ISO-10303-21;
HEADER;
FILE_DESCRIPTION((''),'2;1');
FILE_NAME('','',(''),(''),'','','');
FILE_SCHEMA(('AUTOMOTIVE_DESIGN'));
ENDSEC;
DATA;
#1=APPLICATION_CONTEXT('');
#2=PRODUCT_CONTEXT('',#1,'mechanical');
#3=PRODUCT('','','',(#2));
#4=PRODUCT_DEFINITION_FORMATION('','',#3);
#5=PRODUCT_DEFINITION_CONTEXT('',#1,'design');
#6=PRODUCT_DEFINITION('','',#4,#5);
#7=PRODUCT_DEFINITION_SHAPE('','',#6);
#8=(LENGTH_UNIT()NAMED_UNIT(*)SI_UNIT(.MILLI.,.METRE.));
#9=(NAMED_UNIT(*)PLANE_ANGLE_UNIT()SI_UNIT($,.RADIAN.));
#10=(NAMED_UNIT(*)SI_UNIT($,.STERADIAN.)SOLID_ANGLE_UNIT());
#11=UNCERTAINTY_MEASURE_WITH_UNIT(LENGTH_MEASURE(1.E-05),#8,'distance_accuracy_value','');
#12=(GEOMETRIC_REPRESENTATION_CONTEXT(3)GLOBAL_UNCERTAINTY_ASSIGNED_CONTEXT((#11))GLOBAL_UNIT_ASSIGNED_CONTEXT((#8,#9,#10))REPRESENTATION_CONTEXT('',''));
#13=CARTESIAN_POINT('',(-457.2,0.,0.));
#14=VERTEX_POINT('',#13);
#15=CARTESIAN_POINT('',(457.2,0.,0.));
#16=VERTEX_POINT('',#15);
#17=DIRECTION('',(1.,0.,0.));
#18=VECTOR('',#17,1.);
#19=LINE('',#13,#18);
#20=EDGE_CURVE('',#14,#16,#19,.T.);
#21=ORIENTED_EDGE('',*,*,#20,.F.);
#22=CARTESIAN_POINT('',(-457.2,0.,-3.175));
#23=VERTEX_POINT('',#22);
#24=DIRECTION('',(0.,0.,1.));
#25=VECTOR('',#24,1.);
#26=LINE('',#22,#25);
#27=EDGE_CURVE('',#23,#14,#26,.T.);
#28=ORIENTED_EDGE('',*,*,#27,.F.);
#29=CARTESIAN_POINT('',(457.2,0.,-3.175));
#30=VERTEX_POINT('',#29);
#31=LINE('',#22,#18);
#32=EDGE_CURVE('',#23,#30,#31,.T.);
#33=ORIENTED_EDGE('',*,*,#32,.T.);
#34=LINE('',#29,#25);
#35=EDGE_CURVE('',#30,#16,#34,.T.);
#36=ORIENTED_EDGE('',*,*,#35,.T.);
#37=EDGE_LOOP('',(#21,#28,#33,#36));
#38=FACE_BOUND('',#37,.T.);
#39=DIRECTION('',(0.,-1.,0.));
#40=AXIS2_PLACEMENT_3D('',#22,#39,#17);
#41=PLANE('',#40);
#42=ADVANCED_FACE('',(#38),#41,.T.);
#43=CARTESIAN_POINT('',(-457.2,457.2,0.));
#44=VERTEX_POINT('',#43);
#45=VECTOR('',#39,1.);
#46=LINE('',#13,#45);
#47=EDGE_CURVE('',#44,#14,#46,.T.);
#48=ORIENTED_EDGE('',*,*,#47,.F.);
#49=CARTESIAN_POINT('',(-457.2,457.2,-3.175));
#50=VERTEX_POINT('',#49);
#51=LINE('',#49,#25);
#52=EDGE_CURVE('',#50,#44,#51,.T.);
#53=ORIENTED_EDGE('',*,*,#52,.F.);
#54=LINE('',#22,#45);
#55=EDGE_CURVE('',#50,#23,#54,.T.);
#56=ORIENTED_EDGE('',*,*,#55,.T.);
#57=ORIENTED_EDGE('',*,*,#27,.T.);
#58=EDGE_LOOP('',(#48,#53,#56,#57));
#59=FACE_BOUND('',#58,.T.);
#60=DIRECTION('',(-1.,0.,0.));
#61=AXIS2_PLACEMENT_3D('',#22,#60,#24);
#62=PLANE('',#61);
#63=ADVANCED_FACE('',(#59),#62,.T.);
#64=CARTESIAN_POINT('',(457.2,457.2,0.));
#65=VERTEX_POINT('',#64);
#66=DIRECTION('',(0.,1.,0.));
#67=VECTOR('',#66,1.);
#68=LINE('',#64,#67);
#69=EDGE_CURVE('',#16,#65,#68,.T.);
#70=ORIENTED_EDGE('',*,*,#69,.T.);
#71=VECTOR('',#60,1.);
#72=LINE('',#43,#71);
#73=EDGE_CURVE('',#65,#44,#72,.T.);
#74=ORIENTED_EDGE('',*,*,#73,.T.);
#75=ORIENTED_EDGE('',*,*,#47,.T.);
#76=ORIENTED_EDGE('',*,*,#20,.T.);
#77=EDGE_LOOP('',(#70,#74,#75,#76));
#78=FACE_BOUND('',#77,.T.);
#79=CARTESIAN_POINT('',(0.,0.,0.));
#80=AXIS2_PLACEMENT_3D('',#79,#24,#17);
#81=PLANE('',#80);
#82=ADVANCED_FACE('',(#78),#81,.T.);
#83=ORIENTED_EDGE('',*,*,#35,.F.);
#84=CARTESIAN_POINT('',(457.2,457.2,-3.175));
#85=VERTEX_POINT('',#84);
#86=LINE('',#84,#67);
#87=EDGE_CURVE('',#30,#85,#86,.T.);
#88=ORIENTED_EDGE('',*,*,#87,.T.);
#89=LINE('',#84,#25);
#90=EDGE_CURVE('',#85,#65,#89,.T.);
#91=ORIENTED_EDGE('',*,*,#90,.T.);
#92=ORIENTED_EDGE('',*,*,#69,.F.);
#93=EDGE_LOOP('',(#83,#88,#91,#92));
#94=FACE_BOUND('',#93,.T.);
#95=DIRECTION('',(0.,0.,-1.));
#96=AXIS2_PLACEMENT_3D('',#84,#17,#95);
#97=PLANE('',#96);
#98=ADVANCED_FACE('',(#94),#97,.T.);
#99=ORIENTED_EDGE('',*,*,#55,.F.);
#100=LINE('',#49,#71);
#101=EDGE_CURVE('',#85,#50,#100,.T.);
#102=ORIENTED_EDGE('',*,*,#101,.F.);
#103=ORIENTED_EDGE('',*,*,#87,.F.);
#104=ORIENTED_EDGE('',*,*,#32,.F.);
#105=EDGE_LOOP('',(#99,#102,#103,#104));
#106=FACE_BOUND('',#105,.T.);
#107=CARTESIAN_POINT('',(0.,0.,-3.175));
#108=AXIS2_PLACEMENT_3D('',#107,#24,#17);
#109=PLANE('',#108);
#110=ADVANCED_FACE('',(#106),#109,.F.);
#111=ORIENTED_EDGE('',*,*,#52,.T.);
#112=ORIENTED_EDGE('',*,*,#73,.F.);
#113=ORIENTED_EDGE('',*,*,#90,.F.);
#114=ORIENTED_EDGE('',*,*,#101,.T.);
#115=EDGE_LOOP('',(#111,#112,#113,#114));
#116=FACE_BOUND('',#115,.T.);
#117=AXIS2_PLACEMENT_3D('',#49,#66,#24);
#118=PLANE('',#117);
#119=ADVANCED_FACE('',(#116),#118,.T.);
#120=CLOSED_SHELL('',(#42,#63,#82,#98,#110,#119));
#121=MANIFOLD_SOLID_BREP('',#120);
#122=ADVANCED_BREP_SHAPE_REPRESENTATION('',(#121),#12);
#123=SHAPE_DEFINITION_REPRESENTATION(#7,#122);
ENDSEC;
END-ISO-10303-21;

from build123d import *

# Parameters (mm, degrees)
SKETCH1_W           = 914.4
SKETCH1_H           = 457.2
BOSS_EXTRUDE1_DEPTH = 3.175


with BuildPart() as part:
    # Sketch1 → Boss-Extrude1 (new body)
    with BuildSketch(Plane.XY):
        with Locations((0, 228.6)):
            Rectangle(SKETCH1_W, SKETCH1_H)
    extrude(amount=-BOSS_EXTRUDE1_DEPTH)


solid = part.part
